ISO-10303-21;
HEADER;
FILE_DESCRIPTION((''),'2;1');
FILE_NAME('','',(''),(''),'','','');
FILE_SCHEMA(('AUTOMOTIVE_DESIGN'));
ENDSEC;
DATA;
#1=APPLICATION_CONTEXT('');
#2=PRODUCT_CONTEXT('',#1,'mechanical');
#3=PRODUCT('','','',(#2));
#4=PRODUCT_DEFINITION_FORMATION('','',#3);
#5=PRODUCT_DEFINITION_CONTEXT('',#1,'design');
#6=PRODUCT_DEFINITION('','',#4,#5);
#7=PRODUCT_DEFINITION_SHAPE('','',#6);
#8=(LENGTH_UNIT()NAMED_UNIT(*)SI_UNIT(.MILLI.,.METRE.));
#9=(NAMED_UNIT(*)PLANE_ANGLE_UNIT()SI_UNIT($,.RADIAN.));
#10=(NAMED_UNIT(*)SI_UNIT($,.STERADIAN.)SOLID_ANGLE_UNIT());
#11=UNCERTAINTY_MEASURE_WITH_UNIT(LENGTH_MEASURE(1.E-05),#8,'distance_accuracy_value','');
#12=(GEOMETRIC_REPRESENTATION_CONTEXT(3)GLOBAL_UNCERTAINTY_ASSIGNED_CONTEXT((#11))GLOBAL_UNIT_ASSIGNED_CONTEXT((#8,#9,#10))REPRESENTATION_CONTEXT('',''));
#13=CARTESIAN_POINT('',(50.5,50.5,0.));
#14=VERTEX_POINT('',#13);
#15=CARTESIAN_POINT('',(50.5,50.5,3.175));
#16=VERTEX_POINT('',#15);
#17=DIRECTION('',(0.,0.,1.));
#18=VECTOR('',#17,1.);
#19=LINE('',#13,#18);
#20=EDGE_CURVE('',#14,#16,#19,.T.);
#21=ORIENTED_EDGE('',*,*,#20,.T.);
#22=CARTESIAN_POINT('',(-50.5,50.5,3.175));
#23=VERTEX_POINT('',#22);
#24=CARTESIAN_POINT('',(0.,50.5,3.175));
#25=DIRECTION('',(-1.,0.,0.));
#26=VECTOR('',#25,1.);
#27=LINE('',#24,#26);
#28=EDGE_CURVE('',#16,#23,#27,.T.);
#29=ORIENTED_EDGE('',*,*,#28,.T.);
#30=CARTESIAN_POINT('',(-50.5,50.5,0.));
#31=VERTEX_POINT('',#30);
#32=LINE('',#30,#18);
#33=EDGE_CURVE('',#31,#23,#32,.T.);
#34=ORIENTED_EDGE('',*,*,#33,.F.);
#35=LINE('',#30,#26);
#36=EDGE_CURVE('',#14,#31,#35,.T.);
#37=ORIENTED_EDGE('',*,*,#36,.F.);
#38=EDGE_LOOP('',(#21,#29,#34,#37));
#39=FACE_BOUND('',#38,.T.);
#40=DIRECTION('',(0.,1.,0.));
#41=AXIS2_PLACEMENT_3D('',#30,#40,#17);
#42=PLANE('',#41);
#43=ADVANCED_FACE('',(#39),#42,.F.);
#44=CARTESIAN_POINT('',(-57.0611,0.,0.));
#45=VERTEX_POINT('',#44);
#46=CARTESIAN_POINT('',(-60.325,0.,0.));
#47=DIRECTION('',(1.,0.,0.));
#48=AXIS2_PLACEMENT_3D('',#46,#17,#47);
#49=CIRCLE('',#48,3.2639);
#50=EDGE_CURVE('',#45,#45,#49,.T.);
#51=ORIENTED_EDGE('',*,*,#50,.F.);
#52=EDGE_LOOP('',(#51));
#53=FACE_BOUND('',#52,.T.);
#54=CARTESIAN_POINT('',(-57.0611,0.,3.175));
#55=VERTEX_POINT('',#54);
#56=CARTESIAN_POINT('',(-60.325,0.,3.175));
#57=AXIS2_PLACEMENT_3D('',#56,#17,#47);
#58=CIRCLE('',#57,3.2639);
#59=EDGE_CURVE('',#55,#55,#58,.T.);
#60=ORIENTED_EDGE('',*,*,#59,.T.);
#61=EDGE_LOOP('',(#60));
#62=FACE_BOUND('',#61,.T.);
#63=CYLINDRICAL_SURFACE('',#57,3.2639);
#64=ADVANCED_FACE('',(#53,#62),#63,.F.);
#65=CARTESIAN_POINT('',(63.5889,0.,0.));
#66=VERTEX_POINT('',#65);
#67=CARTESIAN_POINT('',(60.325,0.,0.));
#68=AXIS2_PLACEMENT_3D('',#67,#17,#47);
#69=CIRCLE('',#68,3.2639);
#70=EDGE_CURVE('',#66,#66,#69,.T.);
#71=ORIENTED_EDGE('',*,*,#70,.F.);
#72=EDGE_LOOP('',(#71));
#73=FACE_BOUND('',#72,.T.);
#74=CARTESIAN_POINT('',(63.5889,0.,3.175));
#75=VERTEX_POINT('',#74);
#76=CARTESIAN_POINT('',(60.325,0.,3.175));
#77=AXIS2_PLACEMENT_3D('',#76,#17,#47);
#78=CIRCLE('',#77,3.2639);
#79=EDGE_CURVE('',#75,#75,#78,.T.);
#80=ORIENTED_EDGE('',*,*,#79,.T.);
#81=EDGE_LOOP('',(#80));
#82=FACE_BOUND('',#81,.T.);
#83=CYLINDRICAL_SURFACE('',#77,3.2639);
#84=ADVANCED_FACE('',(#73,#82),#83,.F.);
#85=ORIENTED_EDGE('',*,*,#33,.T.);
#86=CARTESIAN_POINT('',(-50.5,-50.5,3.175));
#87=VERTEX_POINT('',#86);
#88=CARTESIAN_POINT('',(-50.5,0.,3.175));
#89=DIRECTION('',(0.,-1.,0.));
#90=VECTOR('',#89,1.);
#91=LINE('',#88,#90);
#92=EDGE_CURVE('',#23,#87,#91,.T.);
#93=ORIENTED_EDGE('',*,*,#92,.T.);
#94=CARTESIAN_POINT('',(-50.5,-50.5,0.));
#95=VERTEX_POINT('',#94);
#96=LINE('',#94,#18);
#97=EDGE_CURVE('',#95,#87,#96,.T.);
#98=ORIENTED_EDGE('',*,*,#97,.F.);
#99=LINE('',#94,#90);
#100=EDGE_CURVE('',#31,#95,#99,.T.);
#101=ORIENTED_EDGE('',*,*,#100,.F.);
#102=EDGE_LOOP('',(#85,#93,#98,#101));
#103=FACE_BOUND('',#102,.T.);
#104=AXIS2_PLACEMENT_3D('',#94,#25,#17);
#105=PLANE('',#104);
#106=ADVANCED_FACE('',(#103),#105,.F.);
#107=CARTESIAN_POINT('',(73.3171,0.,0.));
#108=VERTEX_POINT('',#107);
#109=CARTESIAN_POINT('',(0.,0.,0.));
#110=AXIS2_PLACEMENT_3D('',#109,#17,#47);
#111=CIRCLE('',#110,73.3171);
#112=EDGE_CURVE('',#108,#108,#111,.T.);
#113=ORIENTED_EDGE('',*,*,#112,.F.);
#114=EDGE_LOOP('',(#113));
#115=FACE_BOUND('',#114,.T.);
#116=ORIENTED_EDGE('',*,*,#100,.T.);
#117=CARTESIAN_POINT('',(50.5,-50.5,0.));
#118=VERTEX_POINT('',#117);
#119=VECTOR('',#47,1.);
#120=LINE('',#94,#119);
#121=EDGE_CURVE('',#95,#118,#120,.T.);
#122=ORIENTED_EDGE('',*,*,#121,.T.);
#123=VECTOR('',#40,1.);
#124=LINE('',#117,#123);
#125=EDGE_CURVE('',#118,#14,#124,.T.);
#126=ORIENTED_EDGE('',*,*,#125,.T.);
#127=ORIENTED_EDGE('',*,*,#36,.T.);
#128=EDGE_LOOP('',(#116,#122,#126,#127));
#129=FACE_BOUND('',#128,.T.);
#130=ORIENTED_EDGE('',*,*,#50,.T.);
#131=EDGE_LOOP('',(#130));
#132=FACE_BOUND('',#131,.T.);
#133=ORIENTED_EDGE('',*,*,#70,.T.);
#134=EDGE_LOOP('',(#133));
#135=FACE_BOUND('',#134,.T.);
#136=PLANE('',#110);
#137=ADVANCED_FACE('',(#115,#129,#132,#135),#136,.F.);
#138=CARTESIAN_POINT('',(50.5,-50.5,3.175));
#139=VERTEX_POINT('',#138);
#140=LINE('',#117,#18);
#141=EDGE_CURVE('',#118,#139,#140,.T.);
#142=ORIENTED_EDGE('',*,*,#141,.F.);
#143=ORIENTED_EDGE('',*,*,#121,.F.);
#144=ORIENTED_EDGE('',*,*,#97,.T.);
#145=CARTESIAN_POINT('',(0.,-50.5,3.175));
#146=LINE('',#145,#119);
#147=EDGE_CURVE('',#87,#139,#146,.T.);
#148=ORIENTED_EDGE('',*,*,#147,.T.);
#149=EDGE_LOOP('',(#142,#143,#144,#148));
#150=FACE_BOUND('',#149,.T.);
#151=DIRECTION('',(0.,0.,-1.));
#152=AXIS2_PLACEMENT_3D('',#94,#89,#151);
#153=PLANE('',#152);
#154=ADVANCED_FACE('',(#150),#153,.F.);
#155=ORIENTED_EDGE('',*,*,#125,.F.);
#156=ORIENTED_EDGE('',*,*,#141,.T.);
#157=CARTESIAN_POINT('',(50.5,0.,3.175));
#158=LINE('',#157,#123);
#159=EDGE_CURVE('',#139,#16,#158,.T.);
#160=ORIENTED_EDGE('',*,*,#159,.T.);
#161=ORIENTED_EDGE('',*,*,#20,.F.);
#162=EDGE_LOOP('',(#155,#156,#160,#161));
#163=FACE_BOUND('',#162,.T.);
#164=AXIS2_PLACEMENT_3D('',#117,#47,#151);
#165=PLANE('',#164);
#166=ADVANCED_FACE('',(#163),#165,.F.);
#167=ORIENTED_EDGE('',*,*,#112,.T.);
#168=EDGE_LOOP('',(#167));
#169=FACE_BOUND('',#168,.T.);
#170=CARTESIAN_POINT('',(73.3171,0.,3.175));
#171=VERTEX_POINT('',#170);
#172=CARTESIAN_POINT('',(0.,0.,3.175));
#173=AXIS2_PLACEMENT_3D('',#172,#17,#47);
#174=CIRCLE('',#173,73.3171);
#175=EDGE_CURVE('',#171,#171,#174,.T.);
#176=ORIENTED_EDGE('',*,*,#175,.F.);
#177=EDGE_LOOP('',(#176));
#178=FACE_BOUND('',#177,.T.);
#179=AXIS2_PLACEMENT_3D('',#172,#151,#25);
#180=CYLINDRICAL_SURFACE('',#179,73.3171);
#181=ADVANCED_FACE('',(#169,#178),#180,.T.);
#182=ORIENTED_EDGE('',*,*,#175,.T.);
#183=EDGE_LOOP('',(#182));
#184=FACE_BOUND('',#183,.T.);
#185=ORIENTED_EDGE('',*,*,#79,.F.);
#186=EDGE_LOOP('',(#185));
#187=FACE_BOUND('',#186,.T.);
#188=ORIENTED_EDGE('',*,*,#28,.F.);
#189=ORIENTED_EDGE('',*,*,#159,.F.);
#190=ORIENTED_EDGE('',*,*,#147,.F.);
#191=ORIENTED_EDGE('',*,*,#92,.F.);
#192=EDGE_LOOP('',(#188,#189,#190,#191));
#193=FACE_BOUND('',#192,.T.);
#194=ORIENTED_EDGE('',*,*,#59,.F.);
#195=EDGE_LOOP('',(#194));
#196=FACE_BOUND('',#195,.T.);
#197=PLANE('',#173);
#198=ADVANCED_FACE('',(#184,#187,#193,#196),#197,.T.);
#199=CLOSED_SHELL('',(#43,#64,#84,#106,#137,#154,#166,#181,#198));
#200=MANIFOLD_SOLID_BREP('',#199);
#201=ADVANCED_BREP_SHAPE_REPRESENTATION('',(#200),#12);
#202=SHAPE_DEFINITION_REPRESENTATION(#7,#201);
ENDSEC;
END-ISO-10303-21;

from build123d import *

# Parameters (mm, degrees)
SKETCH1_R               = 73.3171
BOSS_EXTRUDE1_DEPTH     = 3.175
F_1_4_CLEARANCE_HOLE1_D = 6.5278
SKETCH4_W               = 100.99999993
SKETCH4_H               = 100.99999993
CUT_EXTRUDE1_DEPTH      = 1
CUT_EXTRUDE1_DEPTH_BACK = 4.175


with BuildPart() as part:
    # Sketch1 → Boss-Extrude1 (new body)
    with BuildSketch(Plane.XY):
        Circle(SKETCH1_R)
    extrude(amount=BOSS_EXTRUDE1_DEPTH)

    # 1/4 Clearance Hole1 (through all)
    with Locations(Plane.XY.offset(3.175)):
        with Locations((-60.325, 0), (60.325, 0)):
            Hole(F_1_4_CLEARANCE_HOLE1_D / 2)

    # Sketch4 → Cut-Extrude1 (cut, two sides)
    with BuildSketch(Plane.XY.offset(3.175)) as cut_extrude1_sk:
        Rectangle(SKETCH4_W, SKETCH4_H)
    extrude(amount=CUT_EXTRUDE1_DEPTH, mode=Mode.SUBTRACT)
    extrude(cut_extrude1_sk.sketch, amount=-CUT_EXTRUDE1_DEPTH_BACK, mode=Mode.SUBTRACT)


solid = part.part
